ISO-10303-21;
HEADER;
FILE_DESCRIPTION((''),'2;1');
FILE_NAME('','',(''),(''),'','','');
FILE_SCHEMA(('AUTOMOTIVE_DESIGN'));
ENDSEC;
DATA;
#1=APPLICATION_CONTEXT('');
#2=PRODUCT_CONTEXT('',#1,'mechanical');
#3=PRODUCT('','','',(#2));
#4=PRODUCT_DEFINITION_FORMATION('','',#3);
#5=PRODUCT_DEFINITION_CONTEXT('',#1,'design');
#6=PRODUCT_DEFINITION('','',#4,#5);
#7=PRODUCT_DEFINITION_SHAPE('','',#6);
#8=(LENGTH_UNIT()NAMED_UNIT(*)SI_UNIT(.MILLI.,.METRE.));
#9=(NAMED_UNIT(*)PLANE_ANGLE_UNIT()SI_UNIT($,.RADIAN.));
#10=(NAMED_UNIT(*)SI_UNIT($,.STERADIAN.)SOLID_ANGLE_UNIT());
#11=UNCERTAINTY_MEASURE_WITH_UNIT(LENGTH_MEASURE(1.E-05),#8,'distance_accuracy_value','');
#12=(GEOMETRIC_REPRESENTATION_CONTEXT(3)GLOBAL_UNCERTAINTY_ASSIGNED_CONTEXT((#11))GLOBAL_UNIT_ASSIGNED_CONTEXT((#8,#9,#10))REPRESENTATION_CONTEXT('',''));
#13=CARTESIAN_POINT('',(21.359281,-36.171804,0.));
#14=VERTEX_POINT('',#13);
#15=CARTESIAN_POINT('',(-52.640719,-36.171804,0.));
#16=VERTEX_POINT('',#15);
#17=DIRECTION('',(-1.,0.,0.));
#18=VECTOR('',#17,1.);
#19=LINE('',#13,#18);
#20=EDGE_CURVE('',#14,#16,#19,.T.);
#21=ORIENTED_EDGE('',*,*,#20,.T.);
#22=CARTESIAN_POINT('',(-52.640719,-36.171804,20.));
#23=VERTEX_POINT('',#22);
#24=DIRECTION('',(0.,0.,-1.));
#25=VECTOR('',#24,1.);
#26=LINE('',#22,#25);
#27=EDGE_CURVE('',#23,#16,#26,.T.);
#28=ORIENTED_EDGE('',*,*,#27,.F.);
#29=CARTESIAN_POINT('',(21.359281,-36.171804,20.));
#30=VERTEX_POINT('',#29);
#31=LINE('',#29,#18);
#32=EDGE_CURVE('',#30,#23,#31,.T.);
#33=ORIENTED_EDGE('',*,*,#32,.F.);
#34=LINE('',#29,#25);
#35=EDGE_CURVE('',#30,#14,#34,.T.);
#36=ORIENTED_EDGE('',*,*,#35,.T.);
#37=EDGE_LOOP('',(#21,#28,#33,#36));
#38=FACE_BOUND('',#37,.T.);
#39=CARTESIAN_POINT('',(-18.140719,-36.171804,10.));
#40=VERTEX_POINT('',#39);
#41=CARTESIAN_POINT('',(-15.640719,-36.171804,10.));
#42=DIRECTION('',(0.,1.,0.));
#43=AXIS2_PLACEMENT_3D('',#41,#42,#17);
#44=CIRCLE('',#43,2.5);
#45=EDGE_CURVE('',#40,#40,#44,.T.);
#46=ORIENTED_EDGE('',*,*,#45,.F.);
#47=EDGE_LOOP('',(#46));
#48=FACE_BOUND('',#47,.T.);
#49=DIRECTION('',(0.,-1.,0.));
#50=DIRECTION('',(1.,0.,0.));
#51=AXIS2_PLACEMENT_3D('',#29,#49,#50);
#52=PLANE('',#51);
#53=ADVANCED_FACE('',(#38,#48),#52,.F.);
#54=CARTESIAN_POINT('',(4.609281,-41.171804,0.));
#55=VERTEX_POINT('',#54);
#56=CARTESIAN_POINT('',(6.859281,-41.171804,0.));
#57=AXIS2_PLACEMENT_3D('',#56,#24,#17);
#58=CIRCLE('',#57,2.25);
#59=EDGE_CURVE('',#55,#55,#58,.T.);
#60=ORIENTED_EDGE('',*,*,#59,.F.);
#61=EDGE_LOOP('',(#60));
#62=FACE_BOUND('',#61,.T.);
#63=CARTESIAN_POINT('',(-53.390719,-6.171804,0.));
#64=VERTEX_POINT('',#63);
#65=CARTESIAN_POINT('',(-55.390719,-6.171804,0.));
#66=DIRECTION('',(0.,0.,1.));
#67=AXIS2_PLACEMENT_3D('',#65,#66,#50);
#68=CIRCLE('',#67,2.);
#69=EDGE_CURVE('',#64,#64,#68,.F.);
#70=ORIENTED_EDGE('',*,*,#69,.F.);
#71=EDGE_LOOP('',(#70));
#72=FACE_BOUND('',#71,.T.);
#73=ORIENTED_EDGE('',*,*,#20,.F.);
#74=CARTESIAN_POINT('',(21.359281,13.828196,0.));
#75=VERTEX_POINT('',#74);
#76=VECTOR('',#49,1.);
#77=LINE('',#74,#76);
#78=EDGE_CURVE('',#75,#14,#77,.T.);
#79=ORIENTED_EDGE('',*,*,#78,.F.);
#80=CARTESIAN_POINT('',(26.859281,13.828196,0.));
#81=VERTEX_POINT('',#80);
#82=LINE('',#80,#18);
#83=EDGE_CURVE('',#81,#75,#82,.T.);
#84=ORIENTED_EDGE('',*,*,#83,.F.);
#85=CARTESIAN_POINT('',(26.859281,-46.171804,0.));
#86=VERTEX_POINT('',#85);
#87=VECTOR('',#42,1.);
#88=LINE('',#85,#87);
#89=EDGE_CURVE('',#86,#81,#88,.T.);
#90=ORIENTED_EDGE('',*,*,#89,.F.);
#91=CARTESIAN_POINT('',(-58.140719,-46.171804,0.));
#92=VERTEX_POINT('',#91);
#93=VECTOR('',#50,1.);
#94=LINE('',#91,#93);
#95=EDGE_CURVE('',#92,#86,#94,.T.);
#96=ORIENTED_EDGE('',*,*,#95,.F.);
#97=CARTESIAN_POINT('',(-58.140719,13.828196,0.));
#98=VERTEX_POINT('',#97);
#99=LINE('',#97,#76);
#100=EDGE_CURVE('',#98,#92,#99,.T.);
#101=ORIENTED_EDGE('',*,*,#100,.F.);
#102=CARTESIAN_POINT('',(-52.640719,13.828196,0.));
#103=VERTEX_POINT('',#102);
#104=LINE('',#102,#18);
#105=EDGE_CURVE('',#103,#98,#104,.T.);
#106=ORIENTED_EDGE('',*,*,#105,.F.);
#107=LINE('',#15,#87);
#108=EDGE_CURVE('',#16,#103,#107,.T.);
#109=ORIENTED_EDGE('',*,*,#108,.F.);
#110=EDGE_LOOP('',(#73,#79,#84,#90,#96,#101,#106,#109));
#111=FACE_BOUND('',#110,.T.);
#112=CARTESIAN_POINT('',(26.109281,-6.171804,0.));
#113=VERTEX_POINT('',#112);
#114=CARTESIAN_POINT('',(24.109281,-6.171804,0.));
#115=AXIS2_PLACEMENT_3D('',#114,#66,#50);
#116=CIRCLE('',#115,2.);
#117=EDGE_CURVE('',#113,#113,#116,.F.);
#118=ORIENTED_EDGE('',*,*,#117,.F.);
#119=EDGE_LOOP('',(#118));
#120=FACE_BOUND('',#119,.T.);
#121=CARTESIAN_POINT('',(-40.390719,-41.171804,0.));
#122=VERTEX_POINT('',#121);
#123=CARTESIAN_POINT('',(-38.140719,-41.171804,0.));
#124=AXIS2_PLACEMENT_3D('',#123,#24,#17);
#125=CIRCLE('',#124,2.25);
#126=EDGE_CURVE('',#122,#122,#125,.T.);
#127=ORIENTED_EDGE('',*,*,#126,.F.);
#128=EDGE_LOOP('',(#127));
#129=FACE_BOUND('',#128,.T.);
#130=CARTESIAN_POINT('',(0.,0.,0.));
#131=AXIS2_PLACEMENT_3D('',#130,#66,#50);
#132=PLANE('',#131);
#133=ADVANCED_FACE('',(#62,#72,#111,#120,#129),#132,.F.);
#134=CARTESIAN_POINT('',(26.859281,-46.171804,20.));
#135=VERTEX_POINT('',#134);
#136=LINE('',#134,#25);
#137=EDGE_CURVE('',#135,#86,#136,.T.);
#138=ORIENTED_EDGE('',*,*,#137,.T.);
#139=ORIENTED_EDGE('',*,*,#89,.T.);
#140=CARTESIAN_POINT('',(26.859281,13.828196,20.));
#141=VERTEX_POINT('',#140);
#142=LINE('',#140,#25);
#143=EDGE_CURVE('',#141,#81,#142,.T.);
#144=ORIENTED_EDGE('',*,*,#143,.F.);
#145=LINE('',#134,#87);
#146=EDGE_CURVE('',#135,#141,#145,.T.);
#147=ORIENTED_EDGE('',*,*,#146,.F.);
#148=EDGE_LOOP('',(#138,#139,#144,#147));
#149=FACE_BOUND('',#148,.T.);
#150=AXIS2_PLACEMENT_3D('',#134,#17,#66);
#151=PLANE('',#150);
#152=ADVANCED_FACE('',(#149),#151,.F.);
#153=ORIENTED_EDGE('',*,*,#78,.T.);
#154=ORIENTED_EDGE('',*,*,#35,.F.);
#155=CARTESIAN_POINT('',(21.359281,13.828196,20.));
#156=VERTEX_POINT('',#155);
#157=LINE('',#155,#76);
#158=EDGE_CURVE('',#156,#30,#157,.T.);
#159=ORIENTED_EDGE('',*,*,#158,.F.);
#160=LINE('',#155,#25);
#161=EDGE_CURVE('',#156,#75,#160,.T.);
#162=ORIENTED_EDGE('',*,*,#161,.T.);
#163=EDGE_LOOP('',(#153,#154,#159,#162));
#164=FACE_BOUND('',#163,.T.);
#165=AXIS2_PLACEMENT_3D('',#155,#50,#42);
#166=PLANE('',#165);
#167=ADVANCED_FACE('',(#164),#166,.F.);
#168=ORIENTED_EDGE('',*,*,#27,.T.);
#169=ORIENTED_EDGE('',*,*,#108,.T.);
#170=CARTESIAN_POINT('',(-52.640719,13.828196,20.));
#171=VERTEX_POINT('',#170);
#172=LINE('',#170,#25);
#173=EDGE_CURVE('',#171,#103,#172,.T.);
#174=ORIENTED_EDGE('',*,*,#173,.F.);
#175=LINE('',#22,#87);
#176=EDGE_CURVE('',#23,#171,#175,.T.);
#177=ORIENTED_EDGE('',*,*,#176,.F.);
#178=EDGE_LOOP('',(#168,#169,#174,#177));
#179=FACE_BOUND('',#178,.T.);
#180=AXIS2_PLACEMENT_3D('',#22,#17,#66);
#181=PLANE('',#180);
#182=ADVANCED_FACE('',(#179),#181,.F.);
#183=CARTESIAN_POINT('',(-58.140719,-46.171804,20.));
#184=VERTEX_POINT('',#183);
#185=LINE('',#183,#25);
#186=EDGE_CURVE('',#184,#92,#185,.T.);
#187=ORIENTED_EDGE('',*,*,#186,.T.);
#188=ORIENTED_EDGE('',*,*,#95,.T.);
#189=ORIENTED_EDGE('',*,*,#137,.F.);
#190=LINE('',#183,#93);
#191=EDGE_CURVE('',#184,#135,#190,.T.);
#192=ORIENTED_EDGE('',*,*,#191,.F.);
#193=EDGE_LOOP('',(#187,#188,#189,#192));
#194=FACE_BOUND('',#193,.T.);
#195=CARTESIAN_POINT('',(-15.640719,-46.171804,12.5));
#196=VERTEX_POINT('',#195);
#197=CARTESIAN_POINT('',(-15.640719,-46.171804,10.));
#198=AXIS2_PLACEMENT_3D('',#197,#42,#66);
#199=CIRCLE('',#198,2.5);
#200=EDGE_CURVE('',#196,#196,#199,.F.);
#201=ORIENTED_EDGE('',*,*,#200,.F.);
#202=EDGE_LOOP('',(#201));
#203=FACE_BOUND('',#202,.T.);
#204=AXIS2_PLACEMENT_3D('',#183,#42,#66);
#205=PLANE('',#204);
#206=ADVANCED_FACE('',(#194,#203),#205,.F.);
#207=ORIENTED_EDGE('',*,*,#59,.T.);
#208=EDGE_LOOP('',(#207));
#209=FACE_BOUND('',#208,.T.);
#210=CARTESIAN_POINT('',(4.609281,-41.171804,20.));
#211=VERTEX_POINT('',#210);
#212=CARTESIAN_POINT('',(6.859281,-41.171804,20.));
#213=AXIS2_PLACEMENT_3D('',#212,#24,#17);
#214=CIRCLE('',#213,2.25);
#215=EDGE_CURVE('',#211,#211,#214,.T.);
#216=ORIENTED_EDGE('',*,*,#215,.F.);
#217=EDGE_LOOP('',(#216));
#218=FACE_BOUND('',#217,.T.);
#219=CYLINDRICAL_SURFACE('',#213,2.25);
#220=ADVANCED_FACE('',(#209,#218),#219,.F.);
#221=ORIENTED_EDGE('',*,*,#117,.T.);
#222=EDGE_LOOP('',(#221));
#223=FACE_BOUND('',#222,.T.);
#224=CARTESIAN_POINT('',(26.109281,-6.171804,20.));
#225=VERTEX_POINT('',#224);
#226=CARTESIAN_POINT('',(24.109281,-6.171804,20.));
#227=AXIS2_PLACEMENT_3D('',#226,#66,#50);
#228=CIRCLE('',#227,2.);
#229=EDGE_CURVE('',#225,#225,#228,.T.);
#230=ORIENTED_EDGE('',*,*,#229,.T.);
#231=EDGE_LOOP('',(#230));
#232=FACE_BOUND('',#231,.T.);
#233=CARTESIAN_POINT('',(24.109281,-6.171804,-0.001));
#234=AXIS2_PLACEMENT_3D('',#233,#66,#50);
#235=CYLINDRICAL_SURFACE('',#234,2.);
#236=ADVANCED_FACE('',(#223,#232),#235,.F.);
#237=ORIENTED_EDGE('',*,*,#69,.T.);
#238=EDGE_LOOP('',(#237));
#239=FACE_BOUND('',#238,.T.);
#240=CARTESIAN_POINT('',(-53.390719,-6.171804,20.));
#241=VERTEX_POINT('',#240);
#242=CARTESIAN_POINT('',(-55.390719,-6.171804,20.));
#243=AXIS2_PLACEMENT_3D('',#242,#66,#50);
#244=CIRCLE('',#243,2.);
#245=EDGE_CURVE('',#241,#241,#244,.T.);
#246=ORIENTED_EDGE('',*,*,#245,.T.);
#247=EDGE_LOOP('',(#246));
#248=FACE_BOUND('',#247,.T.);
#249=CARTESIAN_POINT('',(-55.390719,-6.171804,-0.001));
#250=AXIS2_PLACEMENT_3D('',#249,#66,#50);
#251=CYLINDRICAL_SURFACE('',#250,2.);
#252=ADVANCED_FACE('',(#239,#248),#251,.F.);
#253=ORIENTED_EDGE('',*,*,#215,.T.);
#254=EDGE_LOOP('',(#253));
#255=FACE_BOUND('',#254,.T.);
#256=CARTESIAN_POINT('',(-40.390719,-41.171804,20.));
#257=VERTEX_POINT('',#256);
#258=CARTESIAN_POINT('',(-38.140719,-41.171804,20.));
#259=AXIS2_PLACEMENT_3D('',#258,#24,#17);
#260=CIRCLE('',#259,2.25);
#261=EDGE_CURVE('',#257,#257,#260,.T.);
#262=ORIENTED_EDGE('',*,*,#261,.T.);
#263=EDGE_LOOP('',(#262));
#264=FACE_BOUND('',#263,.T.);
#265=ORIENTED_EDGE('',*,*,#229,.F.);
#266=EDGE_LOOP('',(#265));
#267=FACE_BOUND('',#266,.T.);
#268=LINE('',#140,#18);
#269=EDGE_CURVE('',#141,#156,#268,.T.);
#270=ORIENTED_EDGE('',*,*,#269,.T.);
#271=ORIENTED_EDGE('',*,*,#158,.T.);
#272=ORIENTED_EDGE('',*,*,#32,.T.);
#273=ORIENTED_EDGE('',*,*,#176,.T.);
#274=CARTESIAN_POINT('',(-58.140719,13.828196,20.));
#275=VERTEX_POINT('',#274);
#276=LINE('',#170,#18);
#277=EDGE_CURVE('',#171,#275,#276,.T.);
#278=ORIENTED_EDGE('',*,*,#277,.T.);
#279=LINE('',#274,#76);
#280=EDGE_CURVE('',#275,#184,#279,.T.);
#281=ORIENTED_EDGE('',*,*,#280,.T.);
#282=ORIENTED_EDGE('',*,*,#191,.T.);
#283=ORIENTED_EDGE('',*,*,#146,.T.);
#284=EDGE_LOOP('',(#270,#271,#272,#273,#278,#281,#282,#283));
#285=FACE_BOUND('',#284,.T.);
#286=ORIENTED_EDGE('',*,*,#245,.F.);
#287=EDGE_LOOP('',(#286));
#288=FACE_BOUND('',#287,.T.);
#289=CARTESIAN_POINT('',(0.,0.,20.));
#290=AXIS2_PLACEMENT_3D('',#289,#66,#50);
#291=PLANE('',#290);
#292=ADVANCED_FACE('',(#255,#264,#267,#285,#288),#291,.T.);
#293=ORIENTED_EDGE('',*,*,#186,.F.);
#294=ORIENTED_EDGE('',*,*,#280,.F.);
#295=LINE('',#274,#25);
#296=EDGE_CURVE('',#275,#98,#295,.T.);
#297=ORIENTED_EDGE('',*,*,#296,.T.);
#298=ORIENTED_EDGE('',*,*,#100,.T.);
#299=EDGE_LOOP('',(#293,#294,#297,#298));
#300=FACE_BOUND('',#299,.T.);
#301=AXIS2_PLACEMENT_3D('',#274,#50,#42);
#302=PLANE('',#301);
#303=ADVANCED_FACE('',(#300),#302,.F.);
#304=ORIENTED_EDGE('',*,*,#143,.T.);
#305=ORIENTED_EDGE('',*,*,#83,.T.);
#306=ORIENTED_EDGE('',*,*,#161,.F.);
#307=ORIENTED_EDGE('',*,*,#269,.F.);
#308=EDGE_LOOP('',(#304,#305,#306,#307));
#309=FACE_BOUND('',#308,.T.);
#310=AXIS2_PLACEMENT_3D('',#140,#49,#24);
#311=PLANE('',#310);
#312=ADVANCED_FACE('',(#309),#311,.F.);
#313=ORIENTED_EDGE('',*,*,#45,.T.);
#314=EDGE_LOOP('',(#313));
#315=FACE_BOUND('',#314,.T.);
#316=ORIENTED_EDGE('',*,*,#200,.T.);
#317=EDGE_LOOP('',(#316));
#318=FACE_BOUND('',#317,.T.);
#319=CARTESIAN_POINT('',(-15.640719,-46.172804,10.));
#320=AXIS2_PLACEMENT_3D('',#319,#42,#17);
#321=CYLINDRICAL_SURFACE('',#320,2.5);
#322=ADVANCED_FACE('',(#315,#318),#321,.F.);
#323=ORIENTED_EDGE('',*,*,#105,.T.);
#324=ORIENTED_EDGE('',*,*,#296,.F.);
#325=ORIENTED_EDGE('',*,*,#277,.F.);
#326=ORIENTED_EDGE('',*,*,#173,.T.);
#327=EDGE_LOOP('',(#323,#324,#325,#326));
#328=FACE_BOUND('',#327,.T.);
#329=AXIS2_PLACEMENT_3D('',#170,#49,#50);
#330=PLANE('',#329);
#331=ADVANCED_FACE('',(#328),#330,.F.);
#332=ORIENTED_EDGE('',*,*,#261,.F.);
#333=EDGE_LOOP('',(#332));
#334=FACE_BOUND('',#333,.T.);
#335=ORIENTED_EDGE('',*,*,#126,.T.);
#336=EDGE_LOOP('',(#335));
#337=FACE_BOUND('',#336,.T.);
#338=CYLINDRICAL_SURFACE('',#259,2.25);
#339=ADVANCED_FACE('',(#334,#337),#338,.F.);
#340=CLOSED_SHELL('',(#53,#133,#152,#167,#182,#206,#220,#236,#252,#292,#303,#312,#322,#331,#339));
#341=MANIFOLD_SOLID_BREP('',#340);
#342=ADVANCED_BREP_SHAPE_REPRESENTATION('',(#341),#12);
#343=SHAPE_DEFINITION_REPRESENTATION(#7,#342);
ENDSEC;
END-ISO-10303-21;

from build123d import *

# Parameters (mm, degrees)
BOSS_EXTRUDE1_DEPTH = 20
SKETCH2_R           = 2.25
CUT_EXTRUDE1_DEPTH  = 20
CUT_EXTRUDE2_REACH  = 22
SKETCH3_R           = 2
CUT_EXTRUDE3_REACH  = 12
SKETCH4_R           = 2.5


with BuildPart() as part:
    # Sketch1 → Boss-Extrude1 (new body)
    with BuildSketch(Plane.XY):
        Polygon((-58.140719223, -46.171804232), (26.859280777, -46.171804232), (26.859280777, 13.828195768), (21.359280777, 13.828195768), (21.359280777, -36.171804232), (-52.640719223, -36.171804232), (-52.640719223, 13.828195768), (-58.140719223, 13.828195768), align=None)
    extrude(amount=BOSS_EXTRUDE1_DEPTH)

    # Sketch2 → Cut-Extrude1 (cut)
    with BuildSketch(Plane(origin=(0, 0, 0), x_dir=(-1, 0, 0), z_dir=(0, 0, -1))):
        with Locations((-6.859280777, -41.171804232)):
            Circle(SKETCH2_R)
        with Locations((38.140719223, -41.171804232)):
            Circle(SKETCH2_R)
    extrude(amount=-CUT_EXTRUDE1_DEPTH, mode=Mode.SUBTRACT)

    # Sketch3 → Cut-Extrude2 (cut, up to next)
    with BuildSketch(Plane.XY.offset(20), mode=Mode.PRIVATE) as cut_extrude2_sk1:
        with Locations((-55.390719223, -6.171804232)):
            Circle(SKETCH3_R)
    cut_extrude2_tool1 = extrude(cut_extrude2_sk1.sketch, amount=-CUT_EXTRUDE2_REACH, mode=Mode.PRIVATE) & part.part
    add(cut_extrude2_tool1.solids().sort_by_distance((-55.390719, -6.171804, 20))[0], mode=Mode.SUBTRACT)
    # Sketch3 → Cut-Extrude2 (cut, up to next)
    with BuildSketch(Plane.XY.offset(20), mode=Mode.PRIVATE) as cut_extrude2_sk2:
        with Locations((24.109280777, -6.171804232)):
            Circle(SKETCH3_R)
    cut_extrude2_tool2 = extrude(cut_extrude2_sk2.sketch, amount=-CUT_EXTRUDE2_REACH, mode=Mode.PRIVATE) & part.part
    add(cut_extrude2_tool2.solids().sort_by_distance((24.109281, -6.171804, 20))[0], mode=Mode.SUBTRACT)

    # Sketch4 → Cut-Extrude3 (cut, up to next)
    with BuildSketch(Plane(origin=(0, -36.171804232, 0), x_dir=(1, 0, 0), z_dir=(0, 1, 0)), mode=Mode.PRIVATE) as cut_extrude3_sk1:
        with Locations((-15.640719223, -10)):
            Circle(SKETCH4_R)
    cut_extrude3_tool1 = extrude(cut_extrude3_sk1.sketch, amount=-CUT_EXTRUDE3_REACH, mode=Mode.PRIVATE) & part.part
    add(cut_extrude3_tool1.solids().sort_by_distance((-15.640719, -36.171804, 10))[0], mode=Mode.SUBTRACT)


solid = part.part
